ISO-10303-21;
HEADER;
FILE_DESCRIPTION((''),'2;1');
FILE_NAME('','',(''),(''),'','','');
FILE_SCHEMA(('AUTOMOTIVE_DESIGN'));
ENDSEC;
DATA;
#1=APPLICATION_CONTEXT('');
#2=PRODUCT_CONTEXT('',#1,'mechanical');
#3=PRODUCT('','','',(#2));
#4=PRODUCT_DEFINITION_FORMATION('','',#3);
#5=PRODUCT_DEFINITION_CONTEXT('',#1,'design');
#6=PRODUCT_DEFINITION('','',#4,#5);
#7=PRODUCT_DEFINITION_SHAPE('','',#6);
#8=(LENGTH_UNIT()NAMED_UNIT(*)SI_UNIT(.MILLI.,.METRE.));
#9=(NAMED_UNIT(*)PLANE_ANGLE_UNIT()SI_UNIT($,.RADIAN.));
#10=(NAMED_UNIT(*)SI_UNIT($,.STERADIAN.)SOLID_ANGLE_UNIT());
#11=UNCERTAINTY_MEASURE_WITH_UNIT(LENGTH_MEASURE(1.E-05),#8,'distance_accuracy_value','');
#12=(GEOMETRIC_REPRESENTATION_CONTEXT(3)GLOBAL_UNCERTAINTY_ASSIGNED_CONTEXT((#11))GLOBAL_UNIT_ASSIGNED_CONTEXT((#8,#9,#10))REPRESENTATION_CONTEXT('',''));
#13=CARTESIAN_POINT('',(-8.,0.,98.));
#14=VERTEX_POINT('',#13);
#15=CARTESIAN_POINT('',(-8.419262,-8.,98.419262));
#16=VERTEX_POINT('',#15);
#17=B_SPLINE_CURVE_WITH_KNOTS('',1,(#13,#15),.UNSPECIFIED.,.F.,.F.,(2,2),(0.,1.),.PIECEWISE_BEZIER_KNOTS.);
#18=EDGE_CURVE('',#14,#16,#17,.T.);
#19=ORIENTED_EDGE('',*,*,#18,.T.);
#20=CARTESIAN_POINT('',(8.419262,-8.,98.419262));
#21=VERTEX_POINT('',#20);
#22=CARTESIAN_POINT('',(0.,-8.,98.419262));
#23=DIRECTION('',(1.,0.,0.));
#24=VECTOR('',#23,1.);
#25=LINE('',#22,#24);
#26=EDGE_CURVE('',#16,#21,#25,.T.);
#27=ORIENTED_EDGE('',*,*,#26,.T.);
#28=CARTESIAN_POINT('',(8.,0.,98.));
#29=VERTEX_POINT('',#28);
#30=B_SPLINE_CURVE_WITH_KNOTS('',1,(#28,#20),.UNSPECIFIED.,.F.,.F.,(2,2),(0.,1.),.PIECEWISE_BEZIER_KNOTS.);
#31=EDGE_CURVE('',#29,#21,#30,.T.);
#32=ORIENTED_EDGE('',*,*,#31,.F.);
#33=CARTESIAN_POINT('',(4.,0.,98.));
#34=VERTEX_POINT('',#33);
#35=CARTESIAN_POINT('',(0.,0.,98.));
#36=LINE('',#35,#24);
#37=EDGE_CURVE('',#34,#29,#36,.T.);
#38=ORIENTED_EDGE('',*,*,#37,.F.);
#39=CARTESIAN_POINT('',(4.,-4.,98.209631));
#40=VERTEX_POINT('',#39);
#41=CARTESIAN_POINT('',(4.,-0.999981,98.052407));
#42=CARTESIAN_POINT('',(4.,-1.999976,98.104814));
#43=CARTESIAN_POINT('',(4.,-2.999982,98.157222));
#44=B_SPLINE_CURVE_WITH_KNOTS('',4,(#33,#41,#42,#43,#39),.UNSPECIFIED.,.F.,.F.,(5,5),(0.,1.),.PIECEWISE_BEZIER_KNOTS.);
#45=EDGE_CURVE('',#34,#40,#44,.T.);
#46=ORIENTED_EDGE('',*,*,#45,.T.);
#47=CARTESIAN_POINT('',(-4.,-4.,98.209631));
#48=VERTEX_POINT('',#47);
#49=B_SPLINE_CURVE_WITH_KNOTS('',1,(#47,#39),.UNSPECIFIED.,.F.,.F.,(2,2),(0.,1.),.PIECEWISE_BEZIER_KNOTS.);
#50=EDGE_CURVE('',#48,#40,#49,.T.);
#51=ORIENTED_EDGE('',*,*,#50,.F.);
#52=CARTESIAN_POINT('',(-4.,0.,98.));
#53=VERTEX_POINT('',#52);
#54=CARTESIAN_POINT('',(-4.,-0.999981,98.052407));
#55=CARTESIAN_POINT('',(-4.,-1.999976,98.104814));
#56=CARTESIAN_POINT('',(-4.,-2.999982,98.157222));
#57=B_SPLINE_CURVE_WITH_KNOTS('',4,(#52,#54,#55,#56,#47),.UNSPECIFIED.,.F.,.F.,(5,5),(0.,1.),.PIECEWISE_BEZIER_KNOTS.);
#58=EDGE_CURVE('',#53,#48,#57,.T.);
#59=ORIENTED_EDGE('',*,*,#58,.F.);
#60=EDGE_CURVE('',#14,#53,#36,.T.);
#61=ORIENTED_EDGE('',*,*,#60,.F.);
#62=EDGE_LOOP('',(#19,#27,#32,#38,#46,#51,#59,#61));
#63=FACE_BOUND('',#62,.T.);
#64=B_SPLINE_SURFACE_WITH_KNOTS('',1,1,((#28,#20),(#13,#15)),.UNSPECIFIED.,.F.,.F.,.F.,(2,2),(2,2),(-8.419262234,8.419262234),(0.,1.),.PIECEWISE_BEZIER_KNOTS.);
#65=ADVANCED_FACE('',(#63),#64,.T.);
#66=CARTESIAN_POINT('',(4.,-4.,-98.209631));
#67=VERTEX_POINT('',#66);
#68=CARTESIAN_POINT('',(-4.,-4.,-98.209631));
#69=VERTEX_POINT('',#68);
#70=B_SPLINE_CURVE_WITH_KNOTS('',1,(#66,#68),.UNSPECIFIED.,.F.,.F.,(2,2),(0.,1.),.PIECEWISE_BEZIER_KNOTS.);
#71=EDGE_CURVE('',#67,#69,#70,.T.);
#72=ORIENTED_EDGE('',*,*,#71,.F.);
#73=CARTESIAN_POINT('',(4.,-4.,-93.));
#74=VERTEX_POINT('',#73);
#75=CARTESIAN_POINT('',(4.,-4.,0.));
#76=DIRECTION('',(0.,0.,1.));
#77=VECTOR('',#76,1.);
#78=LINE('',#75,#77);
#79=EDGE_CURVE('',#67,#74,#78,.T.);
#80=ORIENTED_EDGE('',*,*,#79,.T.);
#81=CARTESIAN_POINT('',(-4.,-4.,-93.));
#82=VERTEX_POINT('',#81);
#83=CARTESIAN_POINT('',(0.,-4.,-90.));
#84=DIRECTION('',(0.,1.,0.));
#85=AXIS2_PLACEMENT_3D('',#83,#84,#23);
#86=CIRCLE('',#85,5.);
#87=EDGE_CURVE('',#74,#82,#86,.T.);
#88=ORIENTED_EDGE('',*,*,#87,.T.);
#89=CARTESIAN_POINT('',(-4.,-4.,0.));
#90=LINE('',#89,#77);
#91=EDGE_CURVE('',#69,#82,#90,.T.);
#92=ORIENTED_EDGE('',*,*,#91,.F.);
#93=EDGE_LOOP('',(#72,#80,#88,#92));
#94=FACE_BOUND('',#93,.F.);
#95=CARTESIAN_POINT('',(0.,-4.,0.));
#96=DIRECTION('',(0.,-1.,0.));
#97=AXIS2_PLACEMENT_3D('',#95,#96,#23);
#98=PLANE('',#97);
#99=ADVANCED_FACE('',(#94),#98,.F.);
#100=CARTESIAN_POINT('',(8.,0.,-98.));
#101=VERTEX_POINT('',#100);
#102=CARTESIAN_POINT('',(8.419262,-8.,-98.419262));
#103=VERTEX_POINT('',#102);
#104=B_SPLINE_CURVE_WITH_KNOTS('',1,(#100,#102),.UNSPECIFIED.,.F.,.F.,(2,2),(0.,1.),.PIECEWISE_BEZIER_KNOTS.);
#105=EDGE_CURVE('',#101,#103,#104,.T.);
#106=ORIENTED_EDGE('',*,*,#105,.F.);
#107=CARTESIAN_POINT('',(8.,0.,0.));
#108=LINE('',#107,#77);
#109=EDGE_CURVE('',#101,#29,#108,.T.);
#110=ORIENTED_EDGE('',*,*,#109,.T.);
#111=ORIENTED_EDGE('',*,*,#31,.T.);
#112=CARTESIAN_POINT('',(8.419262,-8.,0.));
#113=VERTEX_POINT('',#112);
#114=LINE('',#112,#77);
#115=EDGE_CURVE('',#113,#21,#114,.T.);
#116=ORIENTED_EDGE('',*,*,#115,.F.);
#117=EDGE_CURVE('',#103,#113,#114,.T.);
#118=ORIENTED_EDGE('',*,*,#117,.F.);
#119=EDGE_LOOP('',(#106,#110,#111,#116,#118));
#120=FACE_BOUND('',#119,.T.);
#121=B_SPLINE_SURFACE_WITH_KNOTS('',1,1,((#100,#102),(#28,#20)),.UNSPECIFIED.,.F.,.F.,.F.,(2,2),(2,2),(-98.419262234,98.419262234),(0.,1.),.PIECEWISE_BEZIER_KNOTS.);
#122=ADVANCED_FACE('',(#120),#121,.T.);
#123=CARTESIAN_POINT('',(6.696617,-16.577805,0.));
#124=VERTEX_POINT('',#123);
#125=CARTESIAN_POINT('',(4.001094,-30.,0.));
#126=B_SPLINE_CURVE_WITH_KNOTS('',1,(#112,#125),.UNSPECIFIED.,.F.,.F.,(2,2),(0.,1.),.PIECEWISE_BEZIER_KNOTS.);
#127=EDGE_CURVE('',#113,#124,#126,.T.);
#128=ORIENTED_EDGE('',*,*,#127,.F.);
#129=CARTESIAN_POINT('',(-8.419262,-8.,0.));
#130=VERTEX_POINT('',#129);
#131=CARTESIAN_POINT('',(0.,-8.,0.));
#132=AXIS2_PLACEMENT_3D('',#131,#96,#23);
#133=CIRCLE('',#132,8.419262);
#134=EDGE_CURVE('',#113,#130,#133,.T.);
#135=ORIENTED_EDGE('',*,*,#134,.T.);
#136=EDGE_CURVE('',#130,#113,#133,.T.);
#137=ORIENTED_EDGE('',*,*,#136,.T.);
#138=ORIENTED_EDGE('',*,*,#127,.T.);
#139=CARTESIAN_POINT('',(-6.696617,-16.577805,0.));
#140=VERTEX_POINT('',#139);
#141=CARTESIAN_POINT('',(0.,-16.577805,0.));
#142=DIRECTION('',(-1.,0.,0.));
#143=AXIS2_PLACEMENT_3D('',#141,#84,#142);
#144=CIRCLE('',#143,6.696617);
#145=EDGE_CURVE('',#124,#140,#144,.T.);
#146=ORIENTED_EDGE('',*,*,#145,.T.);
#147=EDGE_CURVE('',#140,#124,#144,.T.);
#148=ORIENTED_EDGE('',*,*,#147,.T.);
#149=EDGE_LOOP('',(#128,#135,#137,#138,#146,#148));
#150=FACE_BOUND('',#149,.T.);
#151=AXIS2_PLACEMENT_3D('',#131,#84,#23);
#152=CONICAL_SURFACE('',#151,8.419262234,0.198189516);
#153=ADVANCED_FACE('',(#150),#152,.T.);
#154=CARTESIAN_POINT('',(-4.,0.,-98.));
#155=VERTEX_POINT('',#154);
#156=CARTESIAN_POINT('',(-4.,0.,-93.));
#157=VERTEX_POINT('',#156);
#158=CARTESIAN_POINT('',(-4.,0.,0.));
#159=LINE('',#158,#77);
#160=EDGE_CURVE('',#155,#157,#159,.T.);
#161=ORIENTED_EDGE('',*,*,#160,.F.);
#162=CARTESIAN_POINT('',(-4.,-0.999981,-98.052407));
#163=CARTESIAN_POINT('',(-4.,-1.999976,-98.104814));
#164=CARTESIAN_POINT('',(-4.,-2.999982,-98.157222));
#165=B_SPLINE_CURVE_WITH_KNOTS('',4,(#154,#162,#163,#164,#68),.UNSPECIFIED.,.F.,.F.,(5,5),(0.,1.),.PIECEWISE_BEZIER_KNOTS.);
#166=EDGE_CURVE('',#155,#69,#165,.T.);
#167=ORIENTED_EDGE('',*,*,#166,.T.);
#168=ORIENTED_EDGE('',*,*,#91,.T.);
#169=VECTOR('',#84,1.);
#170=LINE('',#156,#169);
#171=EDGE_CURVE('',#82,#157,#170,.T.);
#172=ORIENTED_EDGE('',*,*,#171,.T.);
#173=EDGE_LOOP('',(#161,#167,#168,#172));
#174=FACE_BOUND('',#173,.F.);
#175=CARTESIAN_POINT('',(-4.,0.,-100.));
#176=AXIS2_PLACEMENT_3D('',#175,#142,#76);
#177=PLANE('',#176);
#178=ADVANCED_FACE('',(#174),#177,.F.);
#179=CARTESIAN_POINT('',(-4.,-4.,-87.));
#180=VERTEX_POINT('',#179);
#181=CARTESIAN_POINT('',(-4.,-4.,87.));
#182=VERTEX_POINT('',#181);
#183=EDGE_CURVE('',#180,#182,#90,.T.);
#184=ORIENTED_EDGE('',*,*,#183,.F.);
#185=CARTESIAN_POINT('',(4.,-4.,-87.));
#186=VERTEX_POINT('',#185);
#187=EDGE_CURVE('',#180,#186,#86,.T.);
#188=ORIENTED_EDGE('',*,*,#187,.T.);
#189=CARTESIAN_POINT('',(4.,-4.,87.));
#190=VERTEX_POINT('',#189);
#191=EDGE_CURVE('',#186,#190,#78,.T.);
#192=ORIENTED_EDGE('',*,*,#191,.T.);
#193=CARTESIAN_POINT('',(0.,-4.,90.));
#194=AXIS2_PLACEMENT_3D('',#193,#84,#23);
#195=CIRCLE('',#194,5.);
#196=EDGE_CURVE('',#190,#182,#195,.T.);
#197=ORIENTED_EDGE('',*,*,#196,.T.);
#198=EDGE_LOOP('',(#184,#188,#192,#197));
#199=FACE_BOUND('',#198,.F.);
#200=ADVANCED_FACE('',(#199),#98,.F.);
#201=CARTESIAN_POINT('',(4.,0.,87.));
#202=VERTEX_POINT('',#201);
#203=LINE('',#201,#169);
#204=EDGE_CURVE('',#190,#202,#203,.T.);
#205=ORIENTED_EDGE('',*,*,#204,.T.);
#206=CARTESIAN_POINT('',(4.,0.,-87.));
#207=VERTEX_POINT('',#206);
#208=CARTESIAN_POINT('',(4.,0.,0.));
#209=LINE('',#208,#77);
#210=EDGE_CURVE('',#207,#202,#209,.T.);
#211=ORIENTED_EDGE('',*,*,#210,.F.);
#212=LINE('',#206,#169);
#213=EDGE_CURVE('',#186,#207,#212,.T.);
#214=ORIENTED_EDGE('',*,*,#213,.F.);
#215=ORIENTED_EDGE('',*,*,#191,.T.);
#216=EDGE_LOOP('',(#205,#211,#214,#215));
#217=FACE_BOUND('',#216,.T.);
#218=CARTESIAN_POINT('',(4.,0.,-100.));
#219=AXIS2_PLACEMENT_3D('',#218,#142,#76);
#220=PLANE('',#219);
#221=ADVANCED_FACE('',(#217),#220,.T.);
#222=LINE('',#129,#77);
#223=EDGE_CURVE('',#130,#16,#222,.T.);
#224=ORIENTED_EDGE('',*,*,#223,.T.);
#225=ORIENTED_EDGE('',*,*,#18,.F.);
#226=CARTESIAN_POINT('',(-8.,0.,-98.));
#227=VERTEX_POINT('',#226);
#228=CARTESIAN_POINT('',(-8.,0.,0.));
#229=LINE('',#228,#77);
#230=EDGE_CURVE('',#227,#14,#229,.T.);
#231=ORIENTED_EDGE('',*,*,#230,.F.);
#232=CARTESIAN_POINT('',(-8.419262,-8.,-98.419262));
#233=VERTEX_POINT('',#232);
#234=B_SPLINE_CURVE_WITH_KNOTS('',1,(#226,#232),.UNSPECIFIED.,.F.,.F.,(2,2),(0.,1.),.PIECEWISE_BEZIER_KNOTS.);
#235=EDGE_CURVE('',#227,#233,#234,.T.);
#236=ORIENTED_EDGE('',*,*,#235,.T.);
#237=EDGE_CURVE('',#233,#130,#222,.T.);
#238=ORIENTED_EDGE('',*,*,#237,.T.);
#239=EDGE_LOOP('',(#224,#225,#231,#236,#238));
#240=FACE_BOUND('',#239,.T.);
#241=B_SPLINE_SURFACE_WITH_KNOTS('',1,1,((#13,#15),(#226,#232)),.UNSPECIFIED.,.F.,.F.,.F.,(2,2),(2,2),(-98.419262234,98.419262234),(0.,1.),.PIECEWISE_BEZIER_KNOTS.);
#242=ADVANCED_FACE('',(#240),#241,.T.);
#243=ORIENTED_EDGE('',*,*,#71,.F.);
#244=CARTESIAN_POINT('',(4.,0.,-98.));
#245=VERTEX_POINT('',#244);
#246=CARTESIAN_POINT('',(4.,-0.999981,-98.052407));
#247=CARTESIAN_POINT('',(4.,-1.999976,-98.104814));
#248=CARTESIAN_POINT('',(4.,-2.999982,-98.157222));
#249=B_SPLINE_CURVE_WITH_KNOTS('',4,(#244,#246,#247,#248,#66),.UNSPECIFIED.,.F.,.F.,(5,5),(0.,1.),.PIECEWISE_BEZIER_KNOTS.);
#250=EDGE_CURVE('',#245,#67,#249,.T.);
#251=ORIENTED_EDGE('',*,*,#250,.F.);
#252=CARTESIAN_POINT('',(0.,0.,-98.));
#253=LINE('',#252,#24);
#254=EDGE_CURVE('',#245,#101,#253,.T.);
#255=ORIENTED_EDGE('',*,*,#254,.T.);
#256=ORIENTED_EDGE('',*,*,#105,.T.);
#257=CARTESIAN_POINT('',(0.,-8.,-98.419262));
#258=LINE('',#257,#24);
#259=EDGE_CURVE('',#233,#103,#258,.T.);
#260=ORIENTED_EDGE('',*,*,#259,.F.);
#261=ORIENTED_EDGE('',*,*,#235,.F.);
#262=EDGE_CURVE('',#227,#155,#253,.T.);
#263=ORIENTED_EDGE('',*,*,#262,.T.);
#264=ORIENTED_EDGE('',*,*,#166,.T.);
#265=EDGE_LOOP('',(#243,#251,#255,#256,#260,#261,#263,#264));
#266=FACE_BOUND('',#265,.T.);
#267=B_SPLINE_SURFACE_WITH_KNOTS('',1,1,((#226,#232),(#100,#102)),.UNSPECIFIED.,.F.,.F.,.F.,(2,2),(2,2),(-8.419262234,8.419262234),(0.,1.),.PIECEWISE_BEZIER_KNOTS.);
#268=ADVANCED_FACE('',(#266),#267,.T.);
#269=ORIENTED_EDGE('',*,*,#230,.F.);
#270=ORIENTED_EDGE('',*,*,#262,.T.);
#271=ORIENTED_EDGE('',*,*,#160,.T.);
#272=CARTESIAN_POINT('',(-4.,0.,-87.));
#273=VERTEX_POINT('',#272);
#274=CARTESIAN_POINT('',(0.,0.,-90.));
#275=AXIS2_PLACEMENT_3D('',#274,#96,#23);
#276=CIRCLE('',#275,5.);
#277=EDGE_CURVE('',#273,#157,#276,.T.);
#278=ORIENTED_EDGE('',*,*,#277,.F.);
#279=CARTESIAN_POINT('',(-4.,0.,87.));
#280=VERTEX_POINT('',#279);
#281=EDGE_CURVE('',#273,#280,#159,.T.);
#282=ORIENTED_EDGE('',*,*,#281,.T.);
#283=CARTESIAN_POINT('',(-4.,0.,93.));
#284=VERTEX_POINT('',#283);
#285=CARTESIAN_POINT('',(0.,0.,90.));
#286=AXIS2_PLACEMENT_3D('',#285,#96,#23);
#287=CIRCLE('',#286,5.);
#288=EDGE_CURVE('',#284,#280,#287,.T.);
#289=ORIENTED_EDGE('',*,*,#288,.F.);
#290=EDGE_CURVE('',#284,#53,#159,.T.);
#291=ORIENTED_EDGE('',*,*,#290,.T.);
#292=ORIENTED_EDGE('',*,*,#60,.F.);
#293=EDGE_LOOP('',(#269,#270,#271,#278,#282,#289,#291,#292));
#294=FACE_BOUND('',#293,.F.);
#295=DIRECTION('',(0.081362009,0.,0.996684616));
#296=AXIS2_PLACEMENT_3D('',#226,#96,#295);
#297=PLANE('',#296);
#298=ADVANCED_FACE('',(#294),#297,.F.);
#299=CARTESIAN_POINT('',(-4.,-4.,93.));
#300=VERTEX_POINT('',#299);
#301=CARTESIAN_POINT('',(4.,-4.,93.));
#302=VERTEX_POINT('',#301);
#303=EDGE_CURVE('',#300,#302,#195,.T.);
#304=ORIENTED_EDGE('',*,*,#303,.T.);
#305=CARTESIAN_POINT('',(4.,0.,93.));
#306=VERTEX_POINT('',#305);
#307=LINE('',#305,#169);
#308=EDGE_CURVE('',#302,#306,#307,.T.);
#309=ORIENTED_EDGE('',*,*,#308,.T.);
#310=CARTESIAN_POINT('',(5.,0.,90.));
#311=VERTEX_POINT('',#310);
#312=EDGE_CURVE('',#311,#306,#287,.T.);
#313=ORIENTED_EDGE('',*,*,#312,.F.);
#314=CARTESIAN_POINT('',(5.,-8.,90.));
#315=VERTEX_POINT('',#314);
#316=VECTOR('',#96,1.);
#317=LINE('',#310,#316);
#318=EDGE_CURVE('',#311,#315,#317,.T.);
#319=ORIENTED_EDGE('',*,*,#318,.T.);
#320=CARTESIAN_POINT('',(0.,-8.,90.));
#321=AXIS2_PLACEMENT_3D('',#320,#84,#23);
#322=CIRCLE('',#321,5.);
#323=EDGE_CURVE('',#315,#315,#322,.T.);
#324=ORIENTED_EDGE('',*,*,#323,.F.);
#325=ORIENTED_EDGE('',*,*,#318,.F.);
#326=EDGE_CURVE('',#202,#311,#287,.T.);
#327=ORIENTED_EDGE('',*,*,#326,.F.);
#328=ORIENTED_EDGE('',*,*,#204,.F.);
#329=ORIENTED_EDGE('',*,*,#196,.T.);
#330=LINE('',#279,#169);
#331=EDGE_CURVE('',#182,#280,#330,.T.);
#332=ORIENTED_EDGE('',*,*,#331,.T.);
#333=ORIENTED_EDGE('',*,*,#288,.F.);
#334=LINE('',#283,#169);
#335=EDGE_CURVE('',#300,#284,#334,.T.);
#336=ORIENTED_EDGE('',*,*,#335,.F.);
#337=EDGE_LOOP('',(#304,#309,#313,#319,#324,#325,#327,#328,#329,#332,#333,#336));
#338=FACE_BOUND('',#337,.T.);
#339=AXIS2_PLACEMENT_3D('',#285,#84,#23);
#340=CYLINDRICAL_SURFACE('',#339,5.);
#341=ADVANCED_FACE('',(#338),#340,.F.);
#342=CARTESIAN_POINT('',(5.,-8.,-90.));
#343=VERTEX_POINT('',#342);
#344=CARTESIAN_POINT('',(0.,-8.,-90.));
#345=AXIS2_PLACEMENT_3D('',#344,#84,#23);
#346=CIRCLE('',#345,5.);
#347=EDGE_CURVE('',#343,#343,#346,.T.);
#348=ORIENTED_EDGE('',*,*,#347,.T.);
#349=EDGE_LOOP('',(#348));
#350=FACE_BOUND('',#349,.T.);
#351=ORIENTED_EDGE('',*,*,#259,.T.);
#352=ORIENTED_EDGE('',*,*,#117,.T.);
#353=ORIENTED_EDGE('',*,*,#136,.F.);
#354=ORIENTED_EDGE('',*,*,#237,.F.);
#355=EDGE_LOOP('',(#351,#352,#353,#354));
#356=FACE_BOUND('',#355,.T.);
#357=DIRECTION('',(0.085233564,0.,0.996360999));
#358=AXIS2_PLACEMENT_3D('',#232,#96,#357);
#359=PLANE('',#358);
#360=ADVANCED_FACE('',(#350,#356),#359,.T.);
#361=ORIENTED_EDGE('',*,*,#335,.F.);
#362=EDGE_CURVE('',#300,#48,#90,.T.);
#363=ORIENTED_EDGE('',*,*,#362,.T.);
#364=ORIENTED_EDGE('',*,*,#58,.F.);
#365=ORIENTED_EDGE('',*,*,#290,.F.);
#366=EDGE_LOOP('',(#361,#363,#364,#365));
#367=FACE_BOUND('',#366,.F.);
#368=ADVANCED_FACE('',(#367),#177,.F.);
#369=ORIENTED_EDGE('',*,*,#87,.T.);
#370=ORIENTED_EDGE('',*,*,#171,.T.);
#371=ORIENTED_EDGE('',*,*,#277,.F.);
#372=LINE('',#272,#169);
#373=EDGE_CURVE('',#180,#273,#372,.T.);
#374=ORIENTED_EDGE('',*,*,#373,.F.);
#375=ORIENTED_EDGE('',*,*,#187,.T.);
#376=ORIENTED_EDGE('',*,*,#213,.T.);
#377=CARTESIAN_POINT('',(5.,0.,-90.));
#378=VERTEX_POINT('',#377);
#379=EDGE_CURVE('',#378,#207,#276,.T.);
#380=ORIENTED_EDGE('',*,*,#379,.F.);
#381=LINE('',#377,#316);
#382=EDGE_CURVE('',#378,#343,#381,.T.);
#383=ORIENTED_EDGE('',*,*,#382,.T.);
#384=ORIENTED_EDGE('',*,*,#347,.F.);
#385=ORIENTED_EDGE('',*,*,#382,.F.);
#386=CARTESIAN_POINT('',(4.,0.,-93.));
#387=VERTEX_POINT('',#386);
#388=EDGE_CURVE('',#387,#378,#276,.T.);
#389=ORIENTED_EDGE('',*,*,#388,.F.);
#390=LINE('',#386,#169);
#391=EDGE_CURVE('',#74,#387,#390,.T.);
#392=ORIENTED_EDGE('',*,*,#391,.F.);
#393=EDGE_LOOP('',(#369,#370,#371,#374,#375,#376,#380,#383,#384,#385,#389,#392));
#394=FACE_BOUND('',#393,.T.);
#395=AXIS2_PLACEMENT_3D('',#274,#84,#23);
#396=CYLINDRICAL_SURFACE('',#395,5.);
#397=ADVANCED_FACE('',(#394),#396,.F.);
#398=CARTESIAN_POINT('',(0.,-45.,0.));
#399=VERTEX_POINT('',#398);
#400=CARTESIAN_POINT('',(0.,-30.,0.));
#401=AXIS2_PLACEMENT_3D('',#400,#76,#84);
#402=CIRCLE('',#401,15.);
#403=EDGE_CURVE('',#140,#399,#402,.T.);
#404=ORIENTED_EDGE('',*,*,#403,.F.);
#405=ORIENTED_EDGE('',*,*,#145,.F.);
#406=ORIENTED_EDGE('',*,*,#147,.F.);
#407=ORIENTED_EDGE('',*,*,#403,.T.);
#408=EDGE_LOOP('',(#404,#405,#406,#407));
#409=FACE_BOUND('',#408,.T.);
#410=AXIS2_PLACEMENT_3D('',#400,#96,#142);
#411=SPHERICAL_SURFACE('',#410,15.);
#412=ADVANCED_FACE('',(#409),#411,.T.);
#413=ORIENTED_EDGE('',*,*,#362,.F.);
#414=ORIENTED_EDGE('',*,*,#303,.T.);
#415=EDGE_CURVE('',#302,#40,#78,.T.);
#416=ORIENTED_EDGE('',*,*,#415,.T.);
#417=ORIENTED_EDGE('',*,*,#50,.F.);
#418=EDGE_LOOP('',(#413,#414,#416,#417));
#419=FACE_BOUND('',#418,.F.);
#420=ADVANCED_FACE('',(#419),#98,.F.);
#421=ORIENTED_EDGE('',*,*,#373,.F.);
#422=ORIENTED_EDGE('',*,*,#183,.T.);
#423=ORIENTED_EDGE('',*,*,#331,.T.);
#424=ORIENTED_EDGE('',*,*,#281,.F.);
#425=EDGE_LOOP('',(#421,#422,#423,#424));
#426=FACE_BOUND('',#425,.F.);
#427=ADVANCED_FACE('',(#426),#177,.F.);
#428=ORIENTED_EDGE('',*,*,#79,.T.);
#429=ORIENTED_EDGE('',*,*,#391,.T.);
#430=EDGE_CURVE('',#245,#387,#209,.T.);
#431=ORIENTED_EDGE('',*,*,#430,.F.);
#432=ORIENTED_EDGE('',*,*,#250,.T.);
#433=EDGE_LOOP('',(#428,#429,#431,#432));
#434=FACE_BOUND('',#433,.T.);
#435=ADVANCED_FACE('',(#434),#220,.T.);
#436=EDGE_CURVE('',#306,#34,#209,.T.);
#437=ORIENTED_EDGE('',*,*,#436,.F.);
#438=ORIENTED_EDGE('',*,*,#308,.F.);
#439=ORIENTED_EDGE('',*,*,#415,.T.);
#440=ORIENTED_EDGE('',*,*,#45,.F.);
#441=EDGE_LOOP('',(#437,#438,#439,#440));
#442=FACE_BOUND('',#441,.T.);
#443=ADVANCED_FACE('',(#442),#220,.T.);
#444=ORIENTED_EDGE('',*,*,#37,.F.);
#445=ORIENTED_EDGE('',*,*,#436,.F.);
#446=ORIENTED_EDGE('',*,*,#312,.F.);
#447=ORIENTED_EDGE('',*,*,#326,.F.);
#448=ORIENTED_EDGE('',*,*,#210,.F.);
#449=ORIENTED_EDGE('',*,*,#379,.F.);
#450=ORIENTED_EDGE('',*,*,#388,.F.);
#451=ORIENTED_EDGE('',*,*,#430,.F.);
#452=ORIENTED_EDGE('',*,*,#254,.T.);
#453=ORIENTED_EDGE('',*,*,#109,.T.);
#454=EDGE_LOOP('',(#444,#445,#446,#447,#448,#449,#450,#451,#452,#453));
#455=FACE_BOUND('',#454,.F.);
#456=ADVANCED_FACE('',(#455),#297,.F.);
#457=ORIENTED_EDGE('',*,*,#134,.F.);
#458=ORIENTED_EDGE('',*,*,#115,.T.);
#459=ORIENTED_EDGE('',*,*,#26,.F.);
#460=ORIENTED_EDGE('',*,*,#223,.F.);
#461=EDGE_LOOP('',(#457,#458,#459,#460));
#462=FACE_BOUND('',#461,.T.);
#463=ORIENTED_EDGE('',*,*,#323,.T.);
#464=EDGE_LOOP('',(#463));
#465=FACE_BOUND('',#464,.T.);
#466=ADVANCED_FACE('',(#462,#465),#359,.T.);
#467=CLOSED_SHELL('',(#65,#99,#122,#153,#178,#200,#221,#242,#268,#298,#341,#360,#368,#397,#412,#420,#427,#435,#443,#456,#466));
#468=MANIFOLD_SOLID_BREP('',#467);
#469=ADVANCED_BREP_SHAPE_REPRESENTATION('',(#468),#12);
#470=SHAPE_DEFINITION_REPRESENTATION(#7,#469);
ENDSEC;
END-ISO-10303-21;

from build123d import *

# Parameters (mm, degrees)
F0_W      = 16
F0_H      = 196
F1_DEPTH  = 8
F1_TAPER  = -3
F2_W      = 8
F2_H      = 200
F3_DEPTH  = 4
F4_R      = 5
F5_DEPTH  = 25.4
F6_R      = 8.4192622343
F8_R      = 4.0010936275
F15_R     = 17.8032930924
F16_DEPTH = 25
F14_R     = 17.9120379097
F17_DEPTH = 25


with BuildPart() as f1:
    # F0 (on Front) → F1 (new body)
    with BuildSketch(Plane.XZ):
        Rectangle(F0_W, F0_H)
    extrude(amount=F1_DEPTH, taper=F1_TAPER)

    # F2 (on face) → F3 (cut)
    with BuildSketch(Plane.XZ):
        Rectangle(F2_W, F2_H)
    extrude(amount=F3_DEPTH, mode=Mode.SUBTRACT)

    # F4 (on Front) → F5 (cut)
    with BuildSketch(Plane.XZ):
        with Locations((0, 90)):
            Circle(F4_R)
        with Locations((0, -90)):
            Circle(F4_R)
    extrude(amount=F5_DEPTH, mode=Mode.SUBTRACT)

    # F6 (on face) → F9 section 0
    with BuildSketch(Plane.XZ.offset(8)):
        Circle(F6_R)
    # F8 (on offset) → F9 section 1
    with BuildSketch(Plane.XZ.offset(30)):
        Circle(F8_R)
    loft()

    # F10 (on Top) → F11 (revolve)
    with BuildSketch(Plane.XY):
        with BuildLine():
            Line((0, -45), (0, -15))
            ThreePointArc((0, -15), (-15, -30), (0, -45))
        make_face()
    revolve(axis=Axis((0, -30, 0), (0, -1, 0)))

    # F15 (on offset) → F16 (cut)
    with BuildSketch(Plane.YZ.offset(25)):
        with Locations((-29.9964938313, 0)):
            Circle(F15_R)
    extrude(amount=F16_DEPTH, mode=Mode.SUBTRACT)

    # F14 (on offset) → F17 (cut)
    with BuildSketch(Plane.YZ.offset(-25)):
        with Locations((-29.9462787807, 0)):
            Circle(F14_R)
    extrude(amount=-F17_DEPTH, mode=Mode.SUBTRACT)


solid = f1.part
